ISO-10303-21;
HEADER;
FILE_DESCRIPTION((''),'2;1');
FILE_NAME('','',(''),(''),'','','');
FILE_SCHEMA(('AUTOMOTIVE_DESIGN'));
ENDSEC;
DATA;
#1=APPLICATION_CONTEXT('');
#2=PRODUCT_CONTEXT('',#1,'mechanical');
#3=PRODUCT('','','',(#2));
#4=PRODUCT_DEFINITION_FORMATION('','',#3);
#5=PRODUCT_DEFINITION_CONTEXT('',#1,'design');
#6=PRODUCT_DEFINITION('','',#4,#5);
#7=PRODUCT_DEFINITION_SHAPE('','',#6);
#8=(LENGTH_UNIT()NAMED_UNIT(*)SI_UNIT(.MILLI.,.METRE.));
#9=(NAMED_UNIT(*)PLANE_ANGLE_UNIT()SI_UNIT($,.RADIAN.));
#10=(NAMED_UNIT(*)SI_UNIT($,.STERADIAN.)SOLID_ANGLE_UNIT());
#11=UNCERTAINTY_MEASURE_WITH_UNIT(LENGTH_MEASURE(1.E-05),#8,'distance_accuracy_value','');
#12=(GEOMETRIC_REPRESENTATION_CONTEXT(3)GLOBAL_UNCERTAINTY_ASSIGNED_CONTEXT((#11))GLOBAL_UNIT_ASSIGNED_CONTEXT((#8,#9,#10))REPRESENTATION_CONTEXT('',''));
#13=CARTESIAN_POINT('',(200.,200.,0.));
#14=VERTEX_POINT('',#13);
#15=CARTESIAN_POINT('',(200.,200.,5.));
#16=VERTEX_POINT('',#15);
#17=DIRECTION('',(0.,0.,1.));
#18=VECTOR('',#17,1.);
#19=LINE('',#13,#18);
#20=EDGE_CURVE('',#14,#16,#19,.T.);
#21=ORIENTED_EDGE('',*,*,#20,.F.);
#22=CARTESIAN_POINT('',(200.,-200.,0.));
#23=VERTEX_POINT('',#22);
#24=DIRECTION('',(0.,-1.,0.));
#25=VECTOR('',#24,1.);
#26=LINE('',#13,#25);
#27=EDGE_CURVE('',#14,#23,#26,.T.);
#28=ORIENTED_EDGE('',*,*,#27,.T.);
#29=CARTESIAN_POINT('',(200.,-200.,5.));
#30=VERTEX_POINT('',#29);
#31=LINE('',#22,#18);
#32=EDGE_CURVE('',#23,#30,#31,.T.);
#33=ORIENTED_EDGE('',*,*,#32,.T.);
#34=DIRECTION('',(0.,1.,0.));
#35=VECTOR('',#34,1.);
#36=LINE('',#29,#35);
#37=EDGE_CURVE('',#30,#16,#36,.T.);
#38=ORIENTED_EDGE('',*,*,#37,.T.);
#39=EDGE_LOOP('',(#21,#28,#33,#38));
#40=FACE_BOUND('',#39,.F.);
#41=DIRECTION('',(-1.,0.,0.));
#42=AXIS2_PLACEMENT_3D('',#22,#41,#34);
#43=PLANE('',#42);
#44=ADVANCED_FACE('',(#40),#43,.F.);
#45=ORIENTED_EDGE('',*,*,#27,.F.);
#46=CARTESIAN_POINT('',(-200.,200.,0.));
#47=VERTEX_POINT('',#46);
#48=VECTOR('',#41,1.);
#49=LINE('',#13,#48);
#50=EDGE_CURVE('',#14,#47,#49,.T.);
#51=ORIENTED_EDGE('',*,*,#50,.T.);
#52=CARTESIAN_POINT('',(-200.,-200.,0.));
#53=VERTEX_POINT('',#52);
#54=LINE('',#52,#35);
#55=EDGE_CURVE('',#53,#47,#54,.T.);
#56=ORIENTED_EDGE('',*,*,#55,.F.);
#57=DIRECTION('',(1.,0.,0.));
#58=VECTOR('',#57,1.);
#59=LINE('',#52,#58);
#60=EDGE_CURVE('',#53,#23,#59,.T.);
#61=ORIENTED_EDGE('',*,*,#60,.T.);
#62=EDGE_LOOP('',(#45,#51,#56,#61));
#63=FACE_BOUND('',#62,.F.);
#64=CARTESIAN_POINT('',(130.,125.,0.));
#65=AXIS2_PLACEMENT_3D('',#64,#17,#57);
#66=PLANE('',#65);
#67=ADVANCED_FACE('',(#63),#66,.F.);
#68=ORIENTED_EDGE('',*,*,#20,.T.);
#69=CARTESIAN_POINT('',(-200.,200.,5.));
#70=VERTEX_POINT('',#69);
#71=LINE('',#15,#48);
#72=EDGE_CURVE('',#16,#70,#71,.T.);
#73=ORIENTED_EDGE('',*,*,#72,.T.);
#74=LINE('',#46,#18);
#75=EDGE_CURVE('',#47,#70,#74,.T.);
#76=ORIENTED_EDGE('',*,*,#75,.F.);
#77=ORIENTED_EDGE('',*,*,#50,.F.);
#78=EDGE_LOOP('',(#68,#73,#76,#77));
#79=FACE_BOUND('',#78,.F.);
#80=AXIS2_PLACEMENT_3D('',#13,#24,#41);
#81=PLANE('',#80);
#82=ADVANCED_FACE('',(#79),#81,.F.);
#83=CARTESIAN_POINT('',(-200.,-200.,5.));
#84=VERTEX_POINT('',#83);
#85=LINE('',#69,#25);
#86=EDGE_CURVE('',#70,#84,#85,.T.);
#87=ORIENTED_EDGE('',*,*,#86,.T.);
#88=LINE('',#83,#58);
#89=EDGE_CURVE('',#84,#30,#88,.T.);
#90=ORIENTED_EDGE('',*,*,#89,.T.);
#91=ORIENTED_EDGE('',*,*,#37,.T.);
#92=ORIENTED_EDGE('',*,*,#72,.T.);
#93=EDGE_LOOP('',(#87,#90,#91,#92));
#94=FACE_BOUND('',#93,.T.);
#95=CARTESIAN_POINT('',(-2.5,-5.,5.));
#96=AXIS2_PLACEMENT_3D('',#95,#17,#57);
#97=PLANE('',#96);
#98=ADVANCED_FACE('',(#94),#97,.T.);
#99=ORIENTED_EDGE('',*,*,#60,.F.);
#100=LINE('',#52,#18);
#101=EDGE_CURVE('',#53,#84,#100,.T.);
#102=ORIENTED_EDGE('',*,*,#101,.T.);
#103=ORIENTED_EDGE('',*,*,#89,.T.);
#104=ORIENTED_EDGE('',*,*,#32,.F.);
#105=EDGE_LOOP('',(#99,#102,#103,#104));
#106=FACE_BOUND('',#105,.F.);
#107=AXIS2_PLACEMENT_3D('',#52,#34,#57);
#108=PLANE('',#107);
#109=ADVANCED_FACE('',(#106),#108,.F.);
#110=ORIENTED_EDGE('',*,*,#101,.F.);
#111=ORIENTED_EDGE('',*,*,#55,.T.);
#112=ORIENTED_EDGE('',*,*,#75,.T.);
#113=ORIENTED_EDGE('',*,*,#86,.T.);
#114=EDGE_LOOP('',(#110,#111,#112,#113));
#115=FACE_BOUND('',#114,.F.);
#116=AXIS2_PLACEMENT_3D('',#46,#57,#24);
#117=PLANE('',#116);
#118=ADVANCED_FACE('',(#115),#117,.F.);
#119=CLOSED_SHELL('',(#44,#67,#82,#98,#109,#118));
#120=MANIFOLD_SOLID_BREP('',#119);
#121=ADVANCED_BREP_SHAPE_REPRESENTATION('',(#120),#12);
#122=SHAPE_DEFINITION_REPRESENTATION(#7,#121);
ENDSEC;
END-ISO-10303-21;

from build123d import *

# Parameters (mm, degrees)
F1_DEPTH = 5
F0_W     = 265
F0_H     = 130
F2_DEPTH = 5
F0_W_2   = 130
F3_DEPTH = 5


with BuildPart() as f1:
    # F0 (on Top) → F1 (new body)
    with BuildSketch(Plane.XY):
        Polygon((195, -70), (-200, -70), (-200, -200), (200, -200), (200, -70), align=None)
    extrude(amount=F1_DEPTH)

    # F0 (on Top) → F2 (join)
    with BuildSketch(Plane.XY):
        Polygon((-200, 60), (-200, 0), (-200, -70), (195, -70), (195, 60), (65, 60), align=None)
        with Locations((-67.5, 125)):
            Rectangle(F0_W, F0_H)
        Polygon((195, -70), (-200, -70), (-200, -200), (200, -200), (200, -70), align=None)
        Polygon((-200, 200), (-200, 190), (65, 190), (195, 190), (195, 60), (195, -70), (200, -70), (200, 200), align=None)
    extrude(amount=F2_DEPTH)

    # F0 (on Top) → F3 (join)
    with BuildSketch(Plane.XY):
        with Locations((130, 125)):
            Rectangle(F0_W_2, F0_H)
    extrude(amount=F3_DEPTH)


solid = f1.part
